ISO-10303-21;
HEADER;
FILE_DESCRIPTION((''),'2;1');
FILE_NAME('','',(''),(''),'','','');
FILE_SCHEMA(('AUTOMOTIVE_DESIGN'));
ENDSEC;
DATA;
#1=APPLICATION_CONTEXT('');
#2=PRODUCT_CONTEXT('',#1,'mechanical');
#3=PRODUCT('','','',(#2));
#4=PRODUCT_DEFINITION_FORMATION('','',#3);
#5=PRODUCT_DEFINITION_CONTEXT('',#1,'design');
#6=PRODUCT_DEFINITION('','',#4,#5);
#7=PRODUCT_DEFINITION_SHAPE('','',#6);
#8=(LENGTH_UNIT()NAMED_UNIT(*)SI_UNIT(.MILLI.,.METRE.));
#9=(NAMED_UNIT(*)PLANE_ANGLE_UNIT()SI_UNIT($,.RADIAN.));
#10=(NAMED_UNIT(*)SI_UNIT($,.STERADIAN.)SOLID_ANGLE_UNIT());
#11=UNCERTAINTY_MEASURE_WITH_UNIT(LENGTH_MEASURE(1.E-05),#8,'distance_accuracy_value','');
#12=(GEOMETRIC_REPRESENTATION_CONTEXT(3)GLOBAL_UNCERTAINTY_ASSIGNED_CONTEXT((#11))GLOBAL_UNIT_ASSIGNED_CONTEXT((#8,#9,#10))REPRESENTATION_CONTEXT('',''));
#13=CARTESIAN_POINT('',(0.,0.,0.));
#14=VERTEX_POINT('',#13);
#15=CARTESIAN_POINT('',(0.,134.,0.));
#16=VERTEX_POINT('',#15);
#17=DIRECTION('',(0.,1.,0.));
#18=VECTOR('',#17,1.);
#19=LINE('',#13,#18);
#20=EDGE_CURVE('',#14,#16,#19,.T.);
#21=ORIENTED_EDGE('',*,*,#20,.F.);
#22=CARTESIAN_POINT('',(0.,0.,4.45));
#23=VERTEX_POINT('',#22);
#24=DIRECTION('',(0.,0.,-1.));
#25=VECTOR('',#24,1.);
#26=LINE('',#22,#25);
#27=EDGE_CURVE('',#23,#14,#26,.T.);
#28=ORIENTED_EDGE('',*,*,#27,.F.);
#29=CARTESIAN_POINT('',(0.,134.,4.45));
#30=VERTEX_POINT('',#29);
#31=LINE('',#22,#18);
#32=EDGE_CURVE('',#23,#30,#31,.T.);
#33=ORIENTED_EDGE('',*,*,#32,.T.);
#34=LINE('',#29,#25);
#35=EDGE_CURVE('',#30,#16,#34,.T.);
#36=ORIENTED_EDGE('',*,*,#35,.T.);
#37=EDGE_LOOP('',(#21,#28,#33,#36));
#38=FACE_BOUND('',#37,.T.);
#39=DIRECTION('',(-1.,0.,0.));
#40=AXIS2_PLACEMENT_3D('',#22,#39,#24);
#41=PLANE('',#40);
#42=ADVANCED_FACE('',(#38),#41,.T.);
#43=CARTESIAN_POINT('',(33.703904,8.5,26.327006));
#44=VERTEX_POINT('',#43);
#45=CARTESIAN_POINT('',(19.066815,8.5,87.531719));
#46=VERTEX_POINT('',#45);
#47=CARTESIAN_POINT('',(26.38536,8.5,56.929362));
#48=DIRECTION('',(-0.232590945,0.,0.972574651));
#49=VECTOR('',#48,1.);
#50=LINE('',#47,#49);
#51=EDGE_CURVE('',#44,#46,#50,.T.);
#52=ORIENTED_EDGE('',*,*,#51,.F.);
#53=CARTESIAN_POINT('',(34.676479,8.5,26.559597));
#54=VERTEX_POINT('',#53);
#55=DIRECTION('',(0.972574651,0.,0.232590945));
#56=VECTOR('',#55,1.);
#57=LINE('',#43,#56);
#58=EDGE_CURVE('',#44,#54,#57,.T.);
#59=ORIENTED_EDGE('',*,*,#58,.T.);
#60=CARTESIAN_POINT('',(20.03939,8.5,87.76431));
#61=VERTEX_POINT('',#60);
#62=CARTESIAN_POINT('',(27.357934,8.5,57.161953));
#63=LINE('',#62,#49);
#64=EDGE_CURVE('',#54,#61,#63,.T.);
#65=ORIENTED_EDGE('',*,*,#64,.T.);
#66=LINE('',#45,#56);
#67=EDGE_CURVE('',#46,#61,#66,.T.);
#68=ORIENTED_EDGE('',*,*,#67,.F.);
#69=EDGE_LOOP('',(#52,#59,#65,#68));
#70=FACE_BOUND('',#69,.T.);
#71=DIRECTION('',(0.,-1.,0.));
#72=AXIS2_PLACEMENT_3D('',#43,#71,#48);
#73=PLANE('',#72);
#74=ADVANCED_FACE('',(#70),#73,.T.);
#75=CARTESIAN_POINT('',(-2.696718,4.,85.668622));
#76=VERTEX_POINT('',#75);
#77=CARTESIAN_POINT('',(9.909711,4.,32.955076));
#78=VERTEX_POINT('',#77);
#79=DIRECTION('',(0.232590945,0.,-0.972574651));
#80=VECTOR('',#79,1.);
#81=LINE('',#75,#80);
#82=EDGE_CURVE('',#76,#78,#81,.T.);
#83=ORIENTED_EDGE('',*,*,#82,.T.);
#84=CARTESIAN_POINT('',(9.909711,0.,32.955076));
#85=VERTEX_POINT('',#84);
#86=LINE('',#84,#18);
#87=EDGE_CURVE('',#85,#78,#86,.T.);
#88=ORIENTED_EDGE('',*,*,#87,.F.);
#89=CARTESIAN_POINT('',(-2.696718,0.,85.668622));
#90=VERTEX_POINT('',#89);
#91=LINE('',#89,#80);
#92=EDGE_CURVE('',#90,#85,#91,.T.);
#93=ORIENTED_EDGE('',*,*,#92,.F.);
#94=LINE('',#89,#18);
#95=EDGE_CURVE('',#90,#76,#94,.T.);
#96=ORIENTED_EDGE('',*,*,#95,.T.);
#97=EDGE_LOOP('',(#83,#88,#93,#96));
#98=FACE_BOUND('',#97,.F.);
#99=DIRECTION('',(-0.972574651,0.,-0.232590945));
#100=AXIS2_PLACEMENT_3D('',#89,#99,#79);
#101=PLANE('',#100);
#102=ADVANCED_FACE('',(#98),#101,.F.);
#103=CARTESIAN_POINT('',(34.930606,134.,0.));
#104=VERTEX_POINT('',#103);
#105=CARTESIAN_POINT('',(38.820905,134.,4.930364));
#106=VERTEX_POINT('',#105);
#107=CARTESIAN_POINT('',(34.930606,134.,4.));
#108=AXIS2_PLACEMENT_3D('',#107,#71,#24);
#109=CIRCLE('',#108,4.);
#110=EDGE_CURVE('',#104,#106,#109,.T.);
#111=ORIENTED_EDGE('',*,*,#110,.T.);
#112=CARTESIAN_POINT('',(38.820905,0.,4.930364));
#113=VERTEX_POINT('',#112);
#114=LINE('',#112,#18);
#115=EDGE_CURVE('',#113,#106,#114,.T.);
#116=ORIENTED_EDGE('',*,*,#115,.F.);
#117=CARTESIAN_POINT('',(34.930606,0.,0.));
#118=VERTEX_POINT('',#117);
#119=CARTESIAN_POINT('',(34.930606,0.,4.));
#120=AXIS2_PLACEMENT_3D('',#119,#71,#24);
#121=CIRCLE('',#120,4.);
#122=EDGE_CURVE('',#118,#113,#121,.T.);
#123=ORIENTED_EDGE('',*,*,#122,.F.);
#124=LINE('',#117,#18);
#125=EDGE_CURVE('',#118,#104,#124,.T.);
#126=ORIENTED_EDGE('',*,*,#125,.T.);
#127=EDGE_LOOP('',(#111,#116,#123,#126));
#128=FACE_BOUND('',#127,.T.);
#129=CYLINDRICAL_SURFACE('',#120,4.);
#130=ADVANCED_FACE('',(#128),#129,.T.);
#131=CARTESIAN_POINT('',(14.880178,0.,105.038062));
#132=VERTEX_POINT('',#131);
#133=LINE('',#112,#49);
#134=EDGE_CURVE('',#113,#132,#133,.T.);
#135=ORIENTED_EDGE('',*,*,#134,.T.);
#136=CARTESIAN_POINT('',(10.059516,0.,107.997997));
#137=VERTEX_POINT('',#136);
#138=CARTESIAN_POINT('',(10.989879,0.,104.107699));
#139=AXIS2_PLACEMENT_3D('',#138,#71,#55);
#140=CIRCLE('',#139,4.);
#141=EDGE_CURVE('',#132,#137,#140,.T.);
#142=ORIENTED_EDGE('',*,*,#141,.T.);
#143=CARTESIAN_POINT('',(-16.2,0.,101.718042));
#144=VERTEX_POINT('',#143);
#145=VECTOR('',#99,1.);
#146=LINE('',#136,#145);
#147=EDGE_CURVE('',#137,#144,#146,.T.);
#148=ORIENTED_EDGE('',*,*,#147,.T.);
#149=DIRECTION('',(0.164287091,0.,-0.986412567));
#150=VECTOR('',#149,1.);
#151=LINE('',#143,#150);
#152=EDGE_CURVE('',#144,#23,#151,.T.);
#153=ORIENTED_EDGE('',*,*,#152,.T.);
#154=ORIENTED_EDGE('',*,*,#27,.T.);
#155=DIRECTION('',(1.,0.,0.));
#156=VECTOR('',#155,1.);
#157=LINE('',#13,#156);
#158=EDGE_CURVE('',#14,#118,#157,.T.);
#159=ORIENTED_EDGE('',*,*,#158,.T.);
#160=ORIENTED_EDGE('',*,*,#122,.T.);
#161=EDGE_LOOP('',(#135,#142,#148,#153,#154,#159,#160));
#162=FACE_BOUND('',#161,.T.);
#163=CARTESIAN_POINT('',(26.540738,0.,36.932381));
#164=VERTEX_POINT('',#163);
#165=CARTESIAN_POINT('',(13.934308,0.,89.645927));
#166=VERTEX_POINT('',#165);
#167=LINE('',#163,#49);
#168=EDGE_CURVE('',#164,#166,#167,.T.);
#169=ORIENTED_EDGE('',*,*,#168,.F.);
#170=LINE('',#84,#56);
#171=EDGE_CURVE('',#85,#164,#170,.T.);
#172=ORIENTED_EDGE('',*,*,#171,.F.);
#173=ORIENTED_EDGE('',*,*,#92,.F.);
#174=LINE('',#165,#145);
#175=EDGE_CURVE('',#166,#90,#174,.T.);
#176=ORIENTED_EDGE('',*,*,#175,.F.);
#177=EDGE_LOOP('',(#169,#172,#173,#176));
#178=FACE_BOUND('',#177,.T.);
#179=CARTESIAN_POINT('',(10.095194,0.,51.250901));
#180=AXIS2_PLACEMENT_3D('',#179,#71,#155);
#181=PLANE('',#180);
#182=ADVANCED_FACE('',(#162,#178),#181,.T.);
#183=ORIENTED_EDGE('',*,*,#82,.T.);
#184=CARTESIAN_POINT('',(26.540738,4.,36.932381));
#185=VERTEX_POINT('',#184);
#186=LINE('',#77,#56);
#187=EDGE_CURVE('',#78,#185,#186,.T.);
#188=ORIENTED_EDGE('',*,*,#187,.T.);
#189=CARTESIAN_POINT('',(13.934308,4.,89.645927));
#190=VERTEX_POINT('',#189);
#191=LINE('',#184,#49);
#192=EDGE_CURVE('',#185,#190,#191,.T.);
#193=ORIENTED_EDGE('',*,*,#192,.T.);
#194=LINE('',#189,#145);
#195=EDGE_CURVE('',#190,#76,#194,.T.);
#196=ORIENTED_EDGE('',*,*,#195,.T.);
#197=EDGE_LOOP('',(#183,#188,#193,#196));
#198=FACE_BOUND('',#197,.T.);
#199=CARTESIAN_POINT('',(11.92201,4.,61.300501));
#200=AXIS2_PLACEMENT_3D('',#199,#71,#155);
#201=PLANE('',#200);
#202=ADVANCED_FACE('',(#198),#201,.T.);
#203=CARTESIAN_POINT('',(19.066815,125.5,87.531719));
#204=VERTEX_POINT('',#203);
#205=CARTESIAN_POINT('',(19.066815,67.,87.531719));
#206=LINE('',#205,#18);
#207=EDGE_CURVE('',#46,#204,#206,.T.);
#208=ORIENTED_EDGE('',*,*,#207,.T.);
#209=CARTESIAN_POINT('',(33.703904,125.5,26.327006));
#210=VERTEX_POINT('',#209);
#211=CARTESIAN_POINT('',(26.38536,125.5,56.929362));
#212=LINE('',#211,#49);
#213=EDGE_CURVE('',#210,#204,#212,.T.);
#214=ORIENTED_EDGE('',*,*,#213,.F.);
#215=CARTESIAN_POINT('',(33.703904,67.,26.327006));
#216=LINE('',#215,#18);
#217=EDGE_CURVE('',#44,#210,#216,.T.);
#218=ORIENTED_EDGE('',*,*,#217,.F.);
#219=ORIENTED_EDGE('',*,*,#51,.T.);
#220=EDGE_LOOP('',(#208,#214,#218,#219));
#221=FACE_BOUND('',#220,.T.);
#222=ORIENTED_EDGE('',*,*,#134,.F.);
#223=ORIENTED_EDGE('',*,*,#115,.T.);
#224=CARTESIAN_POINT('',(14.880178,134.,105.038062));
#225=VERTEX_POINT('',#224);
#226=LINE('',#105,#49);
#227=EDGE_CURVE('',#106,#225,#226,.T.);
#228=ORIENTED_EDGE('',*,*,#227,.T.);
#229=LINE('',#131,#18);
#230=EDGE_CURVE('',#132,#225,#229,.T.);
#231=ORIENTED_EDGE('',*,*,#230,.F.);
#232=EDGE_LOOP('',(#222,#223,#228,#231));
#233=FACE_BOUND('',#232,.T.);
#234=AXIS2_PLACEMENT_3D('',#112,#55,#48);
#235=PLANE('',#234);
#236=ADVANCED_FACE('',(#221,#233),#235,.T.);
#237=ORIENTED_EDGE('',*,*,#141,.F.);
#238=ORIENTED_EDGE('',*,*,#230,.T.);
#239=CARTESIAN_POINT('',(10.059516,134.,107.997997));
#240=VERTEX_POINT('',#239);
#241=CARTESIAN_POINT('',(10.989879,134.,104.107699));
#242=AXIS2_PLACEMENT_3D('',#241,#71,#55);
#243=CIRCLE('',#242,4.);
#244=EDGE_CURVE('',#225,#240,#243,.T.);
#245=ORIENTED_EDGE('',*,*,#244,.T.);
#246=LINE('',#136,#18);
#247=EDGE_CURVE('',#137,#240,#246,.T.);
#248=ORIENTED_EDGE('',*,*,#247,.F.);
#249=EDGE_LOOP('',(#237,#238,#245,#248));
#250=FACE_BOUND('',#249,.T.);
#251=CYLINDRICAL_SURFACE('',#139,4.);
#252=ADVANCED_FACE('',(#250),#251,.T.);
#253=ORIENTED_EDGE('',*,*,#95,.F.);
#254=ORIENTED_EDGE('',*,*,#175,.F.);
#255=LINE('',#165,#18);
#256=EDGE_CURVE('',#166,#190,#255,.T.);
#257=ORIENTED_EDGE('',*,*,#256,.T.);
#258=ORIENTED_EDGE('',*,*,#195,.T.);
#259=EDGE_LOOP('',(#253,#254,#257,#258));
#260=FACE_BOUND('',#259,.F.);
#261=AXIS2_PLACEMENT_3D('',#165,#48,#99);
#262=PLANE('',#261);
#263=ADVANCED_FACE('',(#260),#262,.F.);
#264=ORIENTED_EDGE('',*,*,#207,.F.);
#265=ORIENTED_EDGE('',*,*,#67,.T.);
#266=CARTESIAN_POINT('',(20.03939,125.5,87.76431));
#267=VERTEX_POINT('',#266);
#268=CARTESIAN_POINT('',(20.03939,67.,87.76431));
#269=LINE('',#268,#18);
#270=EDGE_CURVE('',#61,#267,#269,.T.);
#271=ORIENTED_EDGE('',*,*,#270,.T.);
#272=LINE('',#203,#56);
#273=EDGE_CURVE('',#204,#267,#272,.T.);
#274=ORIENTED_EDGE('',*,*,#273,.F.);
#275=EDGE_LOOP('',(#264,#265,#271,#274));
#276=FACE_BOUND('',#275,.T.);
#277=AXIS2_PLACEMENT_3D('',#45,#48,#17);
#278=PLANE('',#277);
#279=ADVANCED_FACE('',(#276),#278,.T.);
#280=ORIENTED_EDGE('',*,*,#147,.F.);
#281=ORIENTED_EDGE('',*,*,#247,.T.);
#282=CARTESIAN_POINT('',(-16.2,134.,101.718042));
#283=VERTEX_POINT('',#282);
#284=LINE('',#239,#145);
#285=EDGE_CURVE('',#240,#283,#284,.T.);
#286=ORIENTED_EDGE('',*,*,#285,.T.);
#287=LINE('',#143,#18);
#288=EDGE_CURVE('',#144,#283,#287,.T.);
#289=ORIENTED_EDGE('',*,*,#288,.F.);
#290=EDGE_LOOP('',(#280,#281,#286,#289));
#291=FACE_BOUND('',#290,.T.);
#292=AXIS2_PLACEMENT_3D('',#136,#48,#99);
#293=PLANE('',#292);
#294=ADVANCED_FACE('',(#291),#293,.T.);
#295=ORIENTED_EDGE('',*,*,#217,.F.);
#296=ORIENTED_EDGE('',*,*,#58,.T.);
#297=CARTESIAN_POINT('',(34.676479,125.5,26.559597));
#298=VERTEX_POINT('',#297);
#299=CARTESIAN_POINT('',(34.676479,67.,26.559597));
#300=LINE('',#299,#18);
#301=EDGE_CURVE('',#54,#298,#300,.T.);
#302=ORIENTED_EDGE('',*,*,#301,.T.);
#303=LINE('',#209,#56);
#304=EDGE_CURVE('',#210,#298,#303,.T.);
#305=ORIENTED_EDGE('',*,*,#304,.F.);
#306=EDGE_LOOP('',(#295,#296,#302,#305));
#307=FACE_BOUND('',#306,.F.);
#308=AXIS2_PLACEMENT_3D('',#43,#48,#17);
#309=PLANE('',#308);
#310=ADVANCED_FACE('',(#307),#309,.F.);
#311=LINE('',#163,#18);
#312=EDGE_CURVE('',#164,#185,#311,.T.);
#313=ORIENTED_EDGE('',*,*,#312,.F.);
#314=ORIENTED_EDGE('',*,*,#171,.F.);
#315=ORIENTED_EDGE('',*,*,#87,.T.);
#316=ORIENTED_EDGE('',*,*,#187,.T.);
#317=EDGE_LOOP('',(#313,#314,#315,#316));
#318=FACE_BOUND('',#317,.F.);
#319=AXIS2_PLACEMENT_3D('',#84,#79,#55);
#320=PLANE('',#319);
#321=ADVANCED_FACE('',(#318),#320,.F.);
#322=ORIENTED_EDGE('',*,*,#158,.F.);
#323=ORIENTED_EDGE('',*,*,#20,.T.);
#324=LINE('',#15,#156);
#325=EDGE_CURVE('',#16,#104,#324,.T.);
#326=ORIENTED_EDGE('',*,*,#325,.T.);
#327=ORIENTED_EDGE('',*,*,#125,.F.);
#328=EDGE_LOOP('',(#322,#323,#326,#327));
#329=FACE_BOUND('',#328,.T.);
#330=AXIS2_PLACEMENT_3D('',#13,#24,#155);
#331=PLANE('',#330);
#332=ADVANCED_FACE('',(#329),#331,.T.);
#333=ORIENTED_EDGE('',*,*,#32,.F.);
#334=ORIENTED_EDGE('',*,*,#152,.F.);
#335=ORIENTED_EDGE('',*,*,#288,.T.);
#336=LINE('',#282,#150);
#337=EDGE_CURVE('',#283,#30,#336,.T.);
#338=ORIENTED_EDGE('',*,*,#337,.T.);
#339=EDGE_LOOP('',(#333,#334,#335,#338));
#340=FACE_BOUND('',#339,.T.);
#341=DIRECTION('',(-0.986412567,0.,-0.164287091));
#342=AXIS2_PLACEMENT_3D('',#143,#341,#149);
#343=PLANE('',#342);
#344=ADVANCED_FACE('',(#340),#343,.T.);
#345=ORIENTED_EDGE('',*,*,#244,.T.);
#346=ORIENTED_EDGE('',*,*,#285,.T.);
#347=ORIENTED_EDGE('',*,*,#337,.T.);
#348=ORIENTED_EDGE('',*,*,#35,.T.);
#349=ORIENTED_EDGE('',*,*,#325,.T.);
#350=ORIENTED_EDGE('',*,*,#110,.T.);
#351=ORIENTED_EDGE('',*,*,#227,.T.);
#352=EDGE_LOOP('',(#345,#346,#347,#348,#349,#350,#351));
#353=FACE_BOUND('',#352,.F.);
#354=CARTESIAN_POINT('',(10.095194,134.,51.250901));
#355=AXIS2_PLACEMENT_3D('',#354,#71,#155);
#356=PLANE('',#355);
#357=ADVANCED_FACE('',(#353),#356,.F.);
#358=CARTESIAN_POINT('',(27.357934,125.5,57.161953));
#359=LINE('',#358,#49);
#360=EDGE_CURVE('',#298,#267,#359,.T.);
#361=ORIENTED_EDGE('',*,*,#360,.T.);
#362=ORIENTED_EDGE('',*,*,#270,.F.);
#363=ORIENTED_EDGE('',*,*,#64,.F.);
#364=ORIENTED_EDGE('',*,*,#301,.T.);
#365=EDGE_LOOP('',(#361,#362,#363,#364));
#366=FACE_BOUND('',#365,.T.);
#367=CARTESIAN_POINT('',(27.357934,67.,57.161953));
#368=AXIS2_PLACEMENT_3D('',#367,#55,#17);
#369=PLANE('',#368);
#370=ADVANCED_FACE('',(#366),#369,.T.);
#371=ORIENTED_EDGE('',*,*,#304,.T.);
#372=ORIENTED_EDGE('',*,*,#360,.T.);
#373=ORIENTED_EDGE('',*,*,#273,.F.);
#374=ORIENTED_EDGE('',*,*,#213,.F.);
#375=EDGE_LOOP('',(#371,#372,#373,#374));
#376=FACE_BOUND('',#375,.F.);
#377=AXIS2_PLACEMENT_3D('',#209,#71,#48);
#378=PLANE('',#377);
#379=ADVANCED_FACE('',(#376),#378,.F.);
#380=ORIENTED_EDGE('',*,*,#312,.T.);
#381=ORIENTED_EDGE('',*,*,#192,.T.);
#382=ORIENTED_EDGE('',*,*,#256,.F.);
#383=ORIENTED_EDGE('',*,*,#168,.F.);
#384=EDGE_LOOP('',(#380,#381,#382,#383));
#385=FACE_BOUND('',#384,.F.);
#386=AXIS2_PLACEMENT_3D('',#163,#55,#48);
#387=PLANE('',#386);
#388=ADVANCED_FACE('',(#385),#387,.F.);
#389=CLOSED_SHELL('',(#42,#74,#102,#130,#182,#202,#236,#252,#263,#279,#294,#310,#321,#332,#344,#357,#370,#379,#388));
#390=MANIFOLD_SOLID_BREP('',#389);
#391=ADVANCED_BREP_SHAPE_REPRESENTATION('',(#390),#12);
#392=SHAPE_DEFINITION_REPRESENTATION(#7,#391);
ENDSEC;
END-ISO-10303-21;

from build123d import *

# Parameters (mm, degrees)
F1_DEPTH = 134
F2_DEPTH = 4
F3_W     = 117
F3_H     = 62.9306063323
F4_DEPTH = 1


with BuildPart() as f1:
    # F0 (on Front) → F1 (new body)
    with BuildSketch(Plane.XZ):
        with BuildLine():
            Line((0, 4.45), (0, 0))
            Line((0, 0), (34.9306063323, 0))
            ThreePointArc((34.9306063323, 0), (38.0707858746, 1.5222444749), (38.8209049377, 4.9303637789))
            Line((38.8209049377, 4.9303637789), (14.8801779705, 105.0380623451))
            ThreePointArc((14.8801779705, 105.0380623451), (13.0828693528, 107.5164216279), (10.0595155863, 107.9979971716))
            Line((10.0595155863, 107.9979971716), (-16.2, 101.7180416642))
            Line((-16.2, 101.7180416642), (0, 4.45))
        make_face()
        Polygon((-2.6967180639, 85.6686218319), (13.934308474, 89.6459269865), (26.5407376777, 36.9323808837), (9.9097111398, 32.9550757291), align=None, mode=Mode.SUBTRACT)
        Polygon((26.5407376777, 36.9323808837), (13.934308474, 89.6459269865), (-2.6967180639, 85.6686218319), (9.9097111398, 32.9550757291), align=None)
    extrude(amount=-F1_DEPTH)

    # F0 (on Front) → F2 (cut)
    with BuildSketch(Plane.XZ):
        Polygon((26.5407376777, 36.9323808837), (13.934308474, 89.6459269865), (-2.6967180639, 85.6686218319), (9.9097111398, 32.9550757291), align=None)
    extrude(amount=-F2_DEPTH, mode=Mode.SUBTRACT)

    # F3 (on face) → F4 (join)
    with BuildSketch(Plane(origin=(37.8360580974, 0, 9.0484822786), x_dir=(0, 1, 0), z_dir=(0.9725746513, 0, 0.2325909447))):
        with Locations((67, 49.2310590451)):
            Rectangle(F3_W, F3_H)
    extrude(amount=F4_DEPTH)


solid = f1.part
